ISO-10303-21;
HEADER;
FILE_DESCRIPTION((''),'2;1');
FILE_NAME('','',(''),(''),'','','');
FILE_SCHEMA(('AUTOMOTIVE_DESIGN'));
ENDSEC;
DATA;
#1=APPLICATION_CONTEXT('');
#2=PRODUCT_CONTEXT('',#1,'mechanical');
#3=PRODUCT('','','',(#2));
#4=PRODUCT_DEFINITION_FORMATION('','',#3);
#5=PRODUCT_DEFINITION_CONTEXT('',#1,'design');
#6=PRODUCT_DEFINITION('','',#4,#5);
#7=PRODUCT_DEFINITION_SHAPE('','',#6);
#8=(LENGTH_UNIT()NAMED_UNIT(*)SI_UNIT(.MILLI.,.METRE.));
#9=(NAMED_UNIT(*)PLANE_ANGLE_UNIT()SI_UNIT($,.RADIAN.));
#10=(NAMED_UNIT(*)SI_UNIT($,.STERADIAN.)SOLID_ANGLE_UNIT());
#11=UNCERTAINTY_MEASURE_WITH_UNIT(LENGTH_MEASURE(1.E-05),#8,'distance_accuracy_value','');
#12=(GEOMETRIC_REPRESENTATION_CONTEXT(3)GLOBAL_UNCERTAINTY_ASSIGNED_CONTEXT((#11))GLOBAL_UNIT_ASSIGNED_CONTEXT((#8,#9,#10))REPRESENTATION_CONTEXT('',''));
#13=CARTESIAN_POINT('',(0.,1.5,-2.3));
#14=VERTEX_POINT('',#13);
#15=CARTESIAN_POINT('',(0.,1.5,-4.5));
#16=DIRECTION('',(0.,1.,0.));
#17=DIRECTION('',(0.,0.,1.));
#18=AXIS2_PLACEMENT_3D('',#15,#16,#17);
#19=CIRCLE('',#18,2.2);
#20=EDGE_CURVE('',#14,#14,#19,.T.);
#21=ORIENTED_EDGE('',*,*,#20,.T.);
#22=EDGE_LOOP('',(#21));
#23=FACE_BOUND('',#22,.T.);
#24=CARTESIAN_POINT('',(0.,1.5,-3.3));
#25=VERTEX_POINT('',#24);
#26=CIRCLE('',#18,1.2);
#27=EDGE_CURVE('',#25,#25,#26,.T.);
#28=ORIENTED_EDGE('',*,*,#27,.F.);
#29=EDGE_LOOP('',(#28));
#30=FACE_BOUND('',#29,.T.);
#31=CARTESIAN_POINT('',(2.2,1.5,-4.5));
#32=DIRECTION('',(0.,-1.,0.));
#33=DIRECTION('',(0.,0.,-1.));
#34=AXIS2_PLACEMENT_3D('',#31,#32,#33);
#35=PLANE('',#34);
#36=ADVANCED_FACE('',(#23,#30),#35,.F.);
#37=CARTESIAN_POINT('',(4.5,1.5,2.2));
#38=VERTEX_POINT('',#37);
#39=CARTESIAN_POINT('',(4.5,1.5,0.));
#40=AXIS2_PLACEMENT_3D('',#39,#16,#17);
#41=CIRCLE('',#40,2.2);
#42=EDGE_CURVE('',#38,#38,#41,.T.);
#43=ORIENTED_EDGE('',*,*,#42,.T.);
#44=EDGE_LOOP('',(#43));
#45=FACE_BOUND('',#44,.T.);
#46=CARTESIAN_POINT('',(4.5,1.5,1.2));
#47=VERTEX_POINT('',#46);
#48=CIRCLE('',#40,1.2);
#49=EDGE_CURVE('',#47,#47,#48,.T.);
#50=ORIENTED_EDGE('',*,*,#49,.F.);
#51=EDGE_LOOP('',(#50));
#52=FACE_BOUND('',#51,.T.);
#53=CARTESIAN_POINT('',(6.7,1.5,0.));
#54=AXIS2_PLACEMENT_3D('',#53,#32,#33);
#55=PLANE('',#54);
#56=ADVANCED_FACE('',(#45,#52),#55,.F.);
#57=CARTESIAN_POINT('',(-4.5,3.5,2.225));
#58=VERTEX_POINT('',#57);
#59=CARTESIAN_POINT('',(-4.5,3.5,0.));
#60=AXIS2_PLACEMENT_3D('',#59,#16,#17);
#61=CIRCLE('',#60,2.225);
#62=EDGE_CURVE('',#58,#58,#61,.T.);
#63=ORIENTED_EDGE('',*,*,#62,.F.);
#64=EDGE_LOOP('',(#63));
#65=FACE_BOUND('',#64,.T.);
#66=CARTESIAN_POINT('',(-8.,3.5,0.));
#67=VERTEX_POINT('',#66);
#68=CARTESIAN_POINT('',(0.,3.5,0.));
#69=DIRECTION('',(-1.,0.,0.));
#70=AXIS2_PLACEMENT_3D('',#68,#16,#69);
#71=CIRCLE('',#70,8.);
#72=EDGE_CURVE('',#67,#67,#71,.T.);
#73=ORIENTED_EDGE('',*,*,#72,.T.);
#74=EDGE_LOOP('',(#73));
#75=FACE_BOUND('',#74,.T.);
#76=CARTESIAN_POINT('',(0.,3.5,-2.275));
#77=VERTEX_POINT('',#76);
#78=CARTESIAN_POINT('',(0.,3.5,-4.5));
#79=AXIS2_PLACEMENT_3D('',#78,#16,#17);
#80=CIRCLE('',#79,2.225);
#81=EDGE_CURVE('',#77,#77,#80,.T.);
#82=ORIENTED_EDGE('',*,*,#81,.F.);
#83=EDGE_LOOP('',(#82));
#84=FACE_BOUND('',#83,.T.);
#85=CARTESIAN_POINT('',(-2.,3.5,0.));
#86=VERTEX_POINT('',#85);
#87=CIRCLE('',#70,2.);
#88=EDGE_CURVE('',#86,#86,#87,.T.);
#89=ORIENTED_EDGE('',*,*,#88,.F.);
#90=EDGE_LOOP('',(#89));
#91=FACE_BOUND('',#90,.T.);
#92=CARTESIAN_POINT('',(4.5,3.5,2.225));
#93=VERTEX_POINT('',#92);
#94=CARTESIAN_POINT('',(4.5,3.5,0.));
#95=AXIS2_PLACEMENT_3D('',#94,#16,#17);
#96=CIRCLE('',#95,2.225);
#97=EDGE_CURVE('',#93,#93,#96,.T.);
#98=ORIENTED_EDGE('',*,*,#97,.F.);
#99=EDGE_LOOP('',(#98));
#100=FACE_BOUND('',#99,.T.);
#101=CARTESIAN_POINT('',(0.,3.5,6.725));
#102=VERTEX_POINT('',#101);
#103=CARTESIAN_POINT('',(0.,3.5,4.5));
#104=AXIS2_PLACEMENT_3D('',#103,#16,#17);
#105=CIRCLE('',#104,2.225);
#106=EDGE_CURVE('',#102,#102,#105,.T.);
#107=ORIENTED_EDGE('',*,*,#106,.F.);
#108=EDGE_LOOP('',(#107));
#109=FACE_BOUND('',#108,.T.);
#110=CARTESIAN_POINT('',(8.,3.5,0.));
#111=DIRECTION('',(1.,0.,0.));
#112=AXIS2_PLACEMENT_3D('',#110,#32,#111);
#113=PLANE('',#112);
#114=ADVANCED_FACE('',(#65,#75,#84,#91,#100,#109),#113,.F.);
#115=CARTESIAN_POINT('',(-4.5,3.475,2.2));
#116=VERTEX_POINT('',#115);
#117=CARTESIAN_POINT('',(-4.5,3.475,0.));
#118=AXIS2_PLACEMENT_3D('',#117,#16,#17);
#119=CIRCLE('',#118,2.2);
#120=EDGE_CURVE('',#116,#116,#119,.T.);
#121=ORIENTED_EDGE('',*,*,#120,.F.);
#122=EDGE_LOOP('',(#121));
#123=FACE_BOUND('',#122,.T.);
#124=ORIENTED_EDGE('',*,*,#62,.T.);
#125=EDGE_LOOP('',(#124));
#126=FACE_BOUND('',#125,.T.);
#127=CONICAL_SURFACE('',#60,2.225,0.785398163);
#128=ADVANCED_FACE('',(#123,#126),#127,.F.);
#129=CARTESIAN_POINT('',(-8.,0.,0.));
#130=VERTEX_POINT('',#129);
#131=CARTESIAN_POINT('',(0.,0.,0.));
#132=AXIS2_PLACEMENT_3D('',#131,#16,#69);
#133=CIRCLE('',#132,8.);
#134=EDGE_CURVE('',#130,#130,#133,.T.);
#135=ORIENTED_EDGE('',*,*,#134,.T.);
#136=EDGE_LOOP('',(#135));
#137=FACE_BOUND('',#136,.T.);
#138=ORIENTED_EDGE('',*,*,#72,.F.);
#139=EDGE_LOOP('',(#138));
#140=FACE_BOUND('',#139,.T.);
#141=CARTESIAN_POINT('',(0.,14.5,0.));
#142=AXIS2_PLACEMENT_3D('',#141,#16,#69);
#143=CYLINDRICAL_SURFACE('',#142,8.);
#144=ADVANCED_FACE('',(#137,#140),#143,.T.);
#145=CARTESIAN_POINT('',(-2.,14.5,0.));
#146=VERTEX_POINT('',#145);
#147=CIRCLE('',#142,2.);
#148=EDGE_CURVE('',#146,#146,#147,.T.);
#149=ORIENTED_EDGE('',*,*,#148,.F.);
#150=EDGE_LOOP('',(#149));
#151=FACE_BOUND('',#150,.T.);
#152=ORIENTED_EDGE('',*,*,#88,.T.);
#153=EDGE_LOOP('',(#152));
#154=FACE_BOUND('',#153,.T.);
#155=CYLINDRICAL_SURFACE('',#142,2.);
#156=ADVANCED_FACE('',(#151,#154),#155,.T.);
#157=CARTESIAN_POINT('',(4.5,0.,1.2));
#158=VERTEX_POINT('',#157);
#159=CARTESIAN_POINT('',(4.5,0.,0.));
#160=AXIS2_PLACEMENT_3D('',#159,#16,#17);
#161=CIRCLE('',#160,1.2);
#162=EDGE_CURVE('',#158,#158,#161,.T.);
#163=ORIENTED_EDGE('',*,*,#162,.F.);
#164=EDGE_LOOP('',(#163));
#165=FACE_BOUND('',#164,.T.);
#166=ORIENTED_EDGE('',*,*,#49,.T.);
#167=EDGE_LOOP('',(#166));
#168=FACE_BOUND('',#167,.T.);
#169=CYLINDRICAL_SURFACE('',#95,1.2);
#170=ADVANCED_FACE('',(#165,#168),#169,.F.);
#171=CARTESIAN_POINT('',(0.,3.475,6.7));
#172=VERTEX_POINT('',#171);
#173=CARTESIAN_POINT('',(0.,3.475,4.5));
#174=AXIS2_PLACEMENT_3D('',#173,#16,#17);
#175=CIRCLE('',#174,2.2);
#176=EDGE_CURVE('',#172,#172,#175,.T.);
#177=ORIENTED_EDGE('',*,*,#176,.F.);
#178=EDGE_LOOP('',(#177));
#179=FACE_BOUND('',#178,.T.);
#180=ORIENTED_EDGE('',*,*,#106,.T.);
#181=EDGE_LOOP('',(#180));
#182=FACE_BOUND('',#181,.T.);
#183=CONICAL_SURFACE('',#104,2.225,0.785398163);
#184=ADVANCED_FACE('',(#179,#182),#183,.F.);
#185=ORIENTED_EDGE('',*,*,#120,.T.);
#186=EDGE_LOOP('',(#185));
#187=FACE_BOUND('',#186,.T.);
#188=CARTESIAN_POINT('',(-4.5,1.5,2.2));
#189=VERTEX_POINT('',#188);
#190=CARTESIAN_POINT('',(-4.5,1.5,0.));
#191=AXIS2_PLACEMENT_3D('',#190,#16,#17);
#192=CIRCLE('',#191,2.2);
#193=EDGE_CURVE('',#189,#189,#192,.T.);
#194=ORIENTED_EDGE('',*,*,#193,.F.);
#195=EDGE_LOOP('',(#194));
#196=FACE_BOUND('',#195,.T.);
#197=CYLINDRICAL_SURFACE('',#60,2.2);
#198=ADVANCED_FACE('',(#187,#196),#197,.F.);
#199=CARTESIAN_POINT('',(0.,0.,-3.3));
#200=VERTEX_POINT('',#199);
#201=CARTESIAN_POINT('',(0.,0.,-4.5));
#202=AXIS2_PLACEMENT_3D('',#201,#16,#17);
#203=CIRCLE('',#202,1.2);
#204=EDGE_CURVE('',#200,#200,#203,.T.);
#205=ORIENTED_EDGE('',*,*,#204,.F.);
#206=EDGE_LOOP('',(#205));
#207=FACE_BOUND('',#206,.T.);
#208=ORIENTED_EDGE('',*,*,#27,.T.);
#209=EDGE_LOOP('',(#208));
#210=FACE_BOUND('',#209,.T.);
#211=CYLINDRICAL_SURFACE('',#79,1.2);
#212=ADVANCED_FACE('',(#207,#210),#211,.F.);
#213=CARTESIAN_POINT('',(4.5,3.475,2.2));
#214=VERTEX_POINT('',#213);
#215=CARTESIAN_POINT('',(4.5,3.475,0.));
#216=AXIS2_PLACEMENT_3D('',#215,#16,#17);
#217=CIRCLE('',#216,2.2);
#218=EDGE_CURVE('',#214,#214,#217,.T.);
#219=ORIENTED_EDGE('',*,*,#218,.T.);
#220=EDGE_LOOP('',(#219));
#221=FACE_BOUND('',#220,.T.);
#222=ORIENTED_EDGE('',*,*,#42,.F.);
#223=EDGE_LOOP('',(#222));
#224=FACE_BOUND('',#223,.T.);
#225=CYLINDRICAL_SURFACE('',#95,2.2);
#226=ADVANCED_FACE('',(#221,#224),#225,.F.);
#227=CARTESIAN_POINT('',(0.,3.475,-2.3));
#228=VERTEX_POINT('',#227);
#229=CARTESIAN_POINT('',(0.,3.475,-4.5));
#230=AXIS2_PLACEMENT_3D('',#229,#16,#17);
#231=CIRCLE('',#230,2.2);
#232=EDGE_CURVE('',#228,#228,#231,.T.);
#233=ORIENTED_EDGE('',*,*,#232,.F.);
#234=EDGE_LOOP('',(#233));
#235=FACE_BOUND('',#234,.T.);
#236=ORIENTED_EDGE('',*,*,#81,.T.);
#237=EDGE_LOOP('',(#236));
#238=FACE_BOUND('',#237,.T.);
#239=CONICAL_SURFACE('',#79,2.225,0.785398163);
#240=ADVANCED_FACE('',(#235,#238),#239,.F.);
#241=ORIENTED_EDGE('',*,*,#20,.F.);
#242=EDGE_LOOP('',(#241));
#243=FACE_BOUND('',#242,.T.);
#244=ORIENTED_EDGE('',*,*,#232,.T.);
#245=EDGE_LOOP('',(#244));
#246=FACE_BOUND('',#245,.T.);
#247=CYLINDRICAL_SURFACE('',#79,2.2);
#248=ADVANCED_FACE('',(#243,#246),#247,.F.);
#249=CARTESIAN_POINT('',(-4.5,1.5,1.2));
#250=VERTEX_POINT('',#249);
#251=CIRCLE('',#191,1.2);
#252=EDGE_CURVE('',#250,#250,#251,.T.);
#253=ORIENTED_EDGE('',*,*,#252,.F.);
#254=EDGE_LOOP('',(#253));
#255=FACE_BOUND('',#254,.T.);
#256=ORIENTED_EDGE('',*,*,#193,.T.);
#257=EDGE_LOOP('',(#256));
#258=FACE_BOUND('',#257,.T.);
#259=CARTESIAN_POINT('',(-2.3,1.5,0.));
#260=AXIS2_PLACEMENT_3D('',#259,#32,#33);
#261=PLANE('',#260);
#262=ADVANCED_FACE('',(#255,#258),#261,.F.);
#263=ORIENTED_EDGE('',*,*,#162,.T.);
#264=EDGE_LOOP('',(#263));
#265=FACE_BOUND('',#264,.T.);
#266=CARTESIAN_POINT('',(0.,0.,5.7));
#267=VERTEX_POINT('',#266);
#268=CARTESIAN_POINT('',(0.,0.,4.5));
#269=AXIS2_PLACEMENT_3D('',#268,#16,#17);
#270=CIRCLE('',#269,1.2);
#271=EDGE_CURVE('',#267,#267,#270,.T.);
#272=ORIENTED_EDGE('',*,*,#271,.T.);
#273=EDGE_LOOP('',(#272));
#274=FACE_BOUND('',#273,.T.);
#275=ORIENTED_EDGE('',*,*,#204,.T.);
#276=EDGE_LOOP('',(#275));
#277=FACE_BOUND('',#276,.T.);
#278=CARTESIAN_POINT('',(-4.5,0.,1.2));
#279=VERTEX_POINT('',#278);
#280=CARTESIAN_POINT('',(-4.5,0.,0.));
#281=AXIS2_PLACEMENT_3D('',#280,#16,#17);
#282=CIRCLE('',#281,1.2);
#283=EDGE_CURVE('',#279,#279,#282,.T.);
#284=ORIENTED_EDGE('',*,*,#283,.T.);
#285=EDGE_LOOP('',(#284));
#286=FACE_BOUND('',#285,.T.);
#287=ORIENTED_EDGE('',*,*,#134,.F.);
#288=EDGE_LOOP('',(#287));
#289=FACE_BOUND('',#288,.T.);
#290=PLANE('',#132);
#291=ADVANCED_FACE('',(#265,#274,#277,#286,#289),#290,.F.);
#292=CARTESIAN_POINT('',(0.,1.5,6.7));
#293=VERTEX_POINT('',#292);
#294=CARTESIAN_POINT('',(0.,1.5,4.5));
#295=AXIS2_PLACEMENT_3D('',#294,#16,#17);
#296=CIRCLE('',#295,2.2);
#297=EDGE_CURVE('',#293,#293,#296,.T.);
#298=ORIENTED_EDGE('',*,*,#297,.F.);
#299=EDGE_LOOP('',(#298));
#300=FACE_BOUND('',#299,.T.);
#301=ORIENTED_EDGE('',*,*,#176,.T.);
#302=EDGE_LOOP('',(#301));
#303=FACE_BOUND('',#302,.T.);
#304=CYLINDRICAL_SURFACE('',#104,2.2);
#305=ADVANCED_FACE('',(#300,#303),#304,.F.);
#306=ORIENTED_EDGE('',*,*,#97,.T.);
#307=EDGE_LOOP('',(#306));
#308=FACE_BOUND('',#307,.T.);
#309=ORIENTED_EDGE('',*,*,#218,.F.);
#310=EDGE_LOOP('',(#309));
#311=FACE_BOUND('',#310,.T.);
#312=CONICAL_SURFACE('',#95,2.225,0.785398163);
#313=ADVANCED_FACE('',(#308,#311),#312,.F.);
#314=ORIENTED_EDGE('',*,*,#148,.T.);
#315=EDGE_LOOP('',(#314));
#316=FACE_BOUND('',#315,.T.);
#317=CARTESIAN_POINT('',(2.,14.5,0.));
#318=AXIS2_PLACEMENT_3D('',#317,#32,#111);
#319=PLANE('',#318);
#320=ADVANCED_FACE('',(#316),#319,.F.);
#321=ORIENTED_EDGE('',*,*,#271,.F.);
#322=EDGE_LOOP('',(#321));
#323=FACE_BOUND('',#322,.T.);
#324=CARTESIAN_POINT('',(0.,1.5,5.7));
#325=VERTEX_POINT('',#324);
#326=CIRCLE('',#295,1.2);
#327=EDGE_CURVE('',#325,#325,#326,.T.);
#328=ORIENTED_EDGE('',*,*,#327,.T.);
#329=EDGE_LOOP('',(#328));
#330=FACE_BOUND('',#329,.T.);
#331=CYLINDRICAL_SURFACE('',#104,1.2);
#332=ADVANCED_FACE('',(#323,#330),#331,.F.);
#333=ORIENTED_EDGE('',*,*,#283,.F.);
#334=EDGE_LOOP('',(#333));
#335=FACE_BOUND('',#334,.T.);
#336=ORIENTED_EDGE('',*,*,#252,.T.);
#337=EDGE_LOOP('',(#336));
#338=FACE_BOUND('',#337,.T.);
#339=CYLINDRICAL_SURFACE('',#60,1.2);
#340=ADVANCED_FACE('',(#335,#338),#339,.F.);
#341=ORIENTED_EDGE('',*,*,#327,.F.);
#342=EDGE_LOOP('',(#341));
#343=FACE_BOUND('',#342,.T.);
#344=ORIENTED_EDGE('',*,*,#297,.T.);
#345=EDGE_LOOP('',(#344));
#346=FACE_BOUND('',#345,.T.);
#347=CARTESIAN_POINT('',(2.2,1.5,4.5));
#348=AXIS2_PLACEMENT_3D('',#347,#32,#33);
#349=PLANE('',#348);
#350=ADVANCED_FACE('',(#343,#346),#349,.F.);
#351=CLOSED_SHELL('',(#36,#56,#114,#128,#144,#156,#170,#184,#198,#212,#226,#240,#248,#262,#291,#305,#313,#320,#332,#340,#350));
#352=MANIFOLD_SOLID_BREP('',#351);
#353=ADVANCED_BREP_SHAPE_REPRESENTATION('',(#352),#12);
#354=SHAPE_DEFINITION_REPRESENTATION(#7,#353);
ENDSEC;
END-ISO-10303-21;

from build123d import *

# Parameters (mm, degrees)
CBORE_FOR_M2_SHCS1_AT_2_COUNT = 2
CBORE_FOR_M2_SHCS1_AT_2_PITCH = 6.363961031
CBORE_FOR_M2_SHCS1_AT_3_COUNT = 2
CBORE_FOR_M2_SHCS1_AT_3_PITCH = 9
CBORE_FOR_M2_SHCS1_AT_4_COUNT = 2
CBORE_FOR_M2_SHCS1_AT_4_PITCH = 6.363961031


with BuildPart() as part:
    # Sketch1 → Revolve1 (revolve)
    with BuildSketch(Plane.XY, mode=Mode.PRIVATE) as revolve1_sk:
        Polygon((0, 0), (8, 0), (8, 3.5), (2, 3.5), (2, 14.5), (0, 14.5), align=None)
    revolve(revolve1_sk.sketch.rotate(Axis((0, 14.5, 0), (0, -1, 0)), 180), axis=Axis((0, 14.5, 0), (0, -1, 0)))

    # Sketch4 → CBORE for M2 SHCS1 (revolve, cut)
    with BuildSketch(Plane(origin=(-4.5, 3.5, 0), x_dir=(0, 0, 1), z_dir=(1, 0, 0))):
        Polygon((0, 0), (0, 3.5), (1.2, 3.5), (1.2, 2), (2.2, 2), (2.2, 0.025), (2.225, 0), align=None)
    cbore_for_m2_shcs1 = revolve(axis=Axis((-4.5, 9.85, 0), (0, -1, 0)), mode=Mode.SUBTRACT)

    # CBORE for M2 SHCS1 at 2: CBORE for M2 SHCS1 ×2
    with Locations(*[Vector(0.7071067811865476, 0, -0.7071067811865476) * (i * CBORE_FOR_M2_SHCS1_AT_2_PITCH) for i in range(1, CBORE_FOR_M2_SHCS1_AT_2_COUNT)]):
        add(cbore_for_m2_shcs1, mode=Mode.SUBTRACT)

    # CBORE for M2 SHCS1 at 3: CBORE for M2 SHCS1 ×2
    with Locations(*[(i * CBORE_FOR_M2_SHCS1_AT_3_PITCH, 0, 0) for i in range(1, CBORE_FOR_M2_SHCS1_AT_3_COUNT)]):
        add(cbore_for_m2_shcs1, mode=Mode.SUBTRACT)

    # CBORE for M2 SHCS1 at 4: CBORE for M2 SHCS1 ×2
    with Locations(*[Vector(0.7071067811865476, 0, 0.7071067811865476) * (i * CBORE_FOR_M2_SHCS1_AT_4_PITCH) for i in range(1, CBORE_FOR_M2_SHCS1_AT_4_COUNT)]):
        add(cbore_for_m2_shcs1, mode=Mode.SUBTRACT)


solid = part.part
